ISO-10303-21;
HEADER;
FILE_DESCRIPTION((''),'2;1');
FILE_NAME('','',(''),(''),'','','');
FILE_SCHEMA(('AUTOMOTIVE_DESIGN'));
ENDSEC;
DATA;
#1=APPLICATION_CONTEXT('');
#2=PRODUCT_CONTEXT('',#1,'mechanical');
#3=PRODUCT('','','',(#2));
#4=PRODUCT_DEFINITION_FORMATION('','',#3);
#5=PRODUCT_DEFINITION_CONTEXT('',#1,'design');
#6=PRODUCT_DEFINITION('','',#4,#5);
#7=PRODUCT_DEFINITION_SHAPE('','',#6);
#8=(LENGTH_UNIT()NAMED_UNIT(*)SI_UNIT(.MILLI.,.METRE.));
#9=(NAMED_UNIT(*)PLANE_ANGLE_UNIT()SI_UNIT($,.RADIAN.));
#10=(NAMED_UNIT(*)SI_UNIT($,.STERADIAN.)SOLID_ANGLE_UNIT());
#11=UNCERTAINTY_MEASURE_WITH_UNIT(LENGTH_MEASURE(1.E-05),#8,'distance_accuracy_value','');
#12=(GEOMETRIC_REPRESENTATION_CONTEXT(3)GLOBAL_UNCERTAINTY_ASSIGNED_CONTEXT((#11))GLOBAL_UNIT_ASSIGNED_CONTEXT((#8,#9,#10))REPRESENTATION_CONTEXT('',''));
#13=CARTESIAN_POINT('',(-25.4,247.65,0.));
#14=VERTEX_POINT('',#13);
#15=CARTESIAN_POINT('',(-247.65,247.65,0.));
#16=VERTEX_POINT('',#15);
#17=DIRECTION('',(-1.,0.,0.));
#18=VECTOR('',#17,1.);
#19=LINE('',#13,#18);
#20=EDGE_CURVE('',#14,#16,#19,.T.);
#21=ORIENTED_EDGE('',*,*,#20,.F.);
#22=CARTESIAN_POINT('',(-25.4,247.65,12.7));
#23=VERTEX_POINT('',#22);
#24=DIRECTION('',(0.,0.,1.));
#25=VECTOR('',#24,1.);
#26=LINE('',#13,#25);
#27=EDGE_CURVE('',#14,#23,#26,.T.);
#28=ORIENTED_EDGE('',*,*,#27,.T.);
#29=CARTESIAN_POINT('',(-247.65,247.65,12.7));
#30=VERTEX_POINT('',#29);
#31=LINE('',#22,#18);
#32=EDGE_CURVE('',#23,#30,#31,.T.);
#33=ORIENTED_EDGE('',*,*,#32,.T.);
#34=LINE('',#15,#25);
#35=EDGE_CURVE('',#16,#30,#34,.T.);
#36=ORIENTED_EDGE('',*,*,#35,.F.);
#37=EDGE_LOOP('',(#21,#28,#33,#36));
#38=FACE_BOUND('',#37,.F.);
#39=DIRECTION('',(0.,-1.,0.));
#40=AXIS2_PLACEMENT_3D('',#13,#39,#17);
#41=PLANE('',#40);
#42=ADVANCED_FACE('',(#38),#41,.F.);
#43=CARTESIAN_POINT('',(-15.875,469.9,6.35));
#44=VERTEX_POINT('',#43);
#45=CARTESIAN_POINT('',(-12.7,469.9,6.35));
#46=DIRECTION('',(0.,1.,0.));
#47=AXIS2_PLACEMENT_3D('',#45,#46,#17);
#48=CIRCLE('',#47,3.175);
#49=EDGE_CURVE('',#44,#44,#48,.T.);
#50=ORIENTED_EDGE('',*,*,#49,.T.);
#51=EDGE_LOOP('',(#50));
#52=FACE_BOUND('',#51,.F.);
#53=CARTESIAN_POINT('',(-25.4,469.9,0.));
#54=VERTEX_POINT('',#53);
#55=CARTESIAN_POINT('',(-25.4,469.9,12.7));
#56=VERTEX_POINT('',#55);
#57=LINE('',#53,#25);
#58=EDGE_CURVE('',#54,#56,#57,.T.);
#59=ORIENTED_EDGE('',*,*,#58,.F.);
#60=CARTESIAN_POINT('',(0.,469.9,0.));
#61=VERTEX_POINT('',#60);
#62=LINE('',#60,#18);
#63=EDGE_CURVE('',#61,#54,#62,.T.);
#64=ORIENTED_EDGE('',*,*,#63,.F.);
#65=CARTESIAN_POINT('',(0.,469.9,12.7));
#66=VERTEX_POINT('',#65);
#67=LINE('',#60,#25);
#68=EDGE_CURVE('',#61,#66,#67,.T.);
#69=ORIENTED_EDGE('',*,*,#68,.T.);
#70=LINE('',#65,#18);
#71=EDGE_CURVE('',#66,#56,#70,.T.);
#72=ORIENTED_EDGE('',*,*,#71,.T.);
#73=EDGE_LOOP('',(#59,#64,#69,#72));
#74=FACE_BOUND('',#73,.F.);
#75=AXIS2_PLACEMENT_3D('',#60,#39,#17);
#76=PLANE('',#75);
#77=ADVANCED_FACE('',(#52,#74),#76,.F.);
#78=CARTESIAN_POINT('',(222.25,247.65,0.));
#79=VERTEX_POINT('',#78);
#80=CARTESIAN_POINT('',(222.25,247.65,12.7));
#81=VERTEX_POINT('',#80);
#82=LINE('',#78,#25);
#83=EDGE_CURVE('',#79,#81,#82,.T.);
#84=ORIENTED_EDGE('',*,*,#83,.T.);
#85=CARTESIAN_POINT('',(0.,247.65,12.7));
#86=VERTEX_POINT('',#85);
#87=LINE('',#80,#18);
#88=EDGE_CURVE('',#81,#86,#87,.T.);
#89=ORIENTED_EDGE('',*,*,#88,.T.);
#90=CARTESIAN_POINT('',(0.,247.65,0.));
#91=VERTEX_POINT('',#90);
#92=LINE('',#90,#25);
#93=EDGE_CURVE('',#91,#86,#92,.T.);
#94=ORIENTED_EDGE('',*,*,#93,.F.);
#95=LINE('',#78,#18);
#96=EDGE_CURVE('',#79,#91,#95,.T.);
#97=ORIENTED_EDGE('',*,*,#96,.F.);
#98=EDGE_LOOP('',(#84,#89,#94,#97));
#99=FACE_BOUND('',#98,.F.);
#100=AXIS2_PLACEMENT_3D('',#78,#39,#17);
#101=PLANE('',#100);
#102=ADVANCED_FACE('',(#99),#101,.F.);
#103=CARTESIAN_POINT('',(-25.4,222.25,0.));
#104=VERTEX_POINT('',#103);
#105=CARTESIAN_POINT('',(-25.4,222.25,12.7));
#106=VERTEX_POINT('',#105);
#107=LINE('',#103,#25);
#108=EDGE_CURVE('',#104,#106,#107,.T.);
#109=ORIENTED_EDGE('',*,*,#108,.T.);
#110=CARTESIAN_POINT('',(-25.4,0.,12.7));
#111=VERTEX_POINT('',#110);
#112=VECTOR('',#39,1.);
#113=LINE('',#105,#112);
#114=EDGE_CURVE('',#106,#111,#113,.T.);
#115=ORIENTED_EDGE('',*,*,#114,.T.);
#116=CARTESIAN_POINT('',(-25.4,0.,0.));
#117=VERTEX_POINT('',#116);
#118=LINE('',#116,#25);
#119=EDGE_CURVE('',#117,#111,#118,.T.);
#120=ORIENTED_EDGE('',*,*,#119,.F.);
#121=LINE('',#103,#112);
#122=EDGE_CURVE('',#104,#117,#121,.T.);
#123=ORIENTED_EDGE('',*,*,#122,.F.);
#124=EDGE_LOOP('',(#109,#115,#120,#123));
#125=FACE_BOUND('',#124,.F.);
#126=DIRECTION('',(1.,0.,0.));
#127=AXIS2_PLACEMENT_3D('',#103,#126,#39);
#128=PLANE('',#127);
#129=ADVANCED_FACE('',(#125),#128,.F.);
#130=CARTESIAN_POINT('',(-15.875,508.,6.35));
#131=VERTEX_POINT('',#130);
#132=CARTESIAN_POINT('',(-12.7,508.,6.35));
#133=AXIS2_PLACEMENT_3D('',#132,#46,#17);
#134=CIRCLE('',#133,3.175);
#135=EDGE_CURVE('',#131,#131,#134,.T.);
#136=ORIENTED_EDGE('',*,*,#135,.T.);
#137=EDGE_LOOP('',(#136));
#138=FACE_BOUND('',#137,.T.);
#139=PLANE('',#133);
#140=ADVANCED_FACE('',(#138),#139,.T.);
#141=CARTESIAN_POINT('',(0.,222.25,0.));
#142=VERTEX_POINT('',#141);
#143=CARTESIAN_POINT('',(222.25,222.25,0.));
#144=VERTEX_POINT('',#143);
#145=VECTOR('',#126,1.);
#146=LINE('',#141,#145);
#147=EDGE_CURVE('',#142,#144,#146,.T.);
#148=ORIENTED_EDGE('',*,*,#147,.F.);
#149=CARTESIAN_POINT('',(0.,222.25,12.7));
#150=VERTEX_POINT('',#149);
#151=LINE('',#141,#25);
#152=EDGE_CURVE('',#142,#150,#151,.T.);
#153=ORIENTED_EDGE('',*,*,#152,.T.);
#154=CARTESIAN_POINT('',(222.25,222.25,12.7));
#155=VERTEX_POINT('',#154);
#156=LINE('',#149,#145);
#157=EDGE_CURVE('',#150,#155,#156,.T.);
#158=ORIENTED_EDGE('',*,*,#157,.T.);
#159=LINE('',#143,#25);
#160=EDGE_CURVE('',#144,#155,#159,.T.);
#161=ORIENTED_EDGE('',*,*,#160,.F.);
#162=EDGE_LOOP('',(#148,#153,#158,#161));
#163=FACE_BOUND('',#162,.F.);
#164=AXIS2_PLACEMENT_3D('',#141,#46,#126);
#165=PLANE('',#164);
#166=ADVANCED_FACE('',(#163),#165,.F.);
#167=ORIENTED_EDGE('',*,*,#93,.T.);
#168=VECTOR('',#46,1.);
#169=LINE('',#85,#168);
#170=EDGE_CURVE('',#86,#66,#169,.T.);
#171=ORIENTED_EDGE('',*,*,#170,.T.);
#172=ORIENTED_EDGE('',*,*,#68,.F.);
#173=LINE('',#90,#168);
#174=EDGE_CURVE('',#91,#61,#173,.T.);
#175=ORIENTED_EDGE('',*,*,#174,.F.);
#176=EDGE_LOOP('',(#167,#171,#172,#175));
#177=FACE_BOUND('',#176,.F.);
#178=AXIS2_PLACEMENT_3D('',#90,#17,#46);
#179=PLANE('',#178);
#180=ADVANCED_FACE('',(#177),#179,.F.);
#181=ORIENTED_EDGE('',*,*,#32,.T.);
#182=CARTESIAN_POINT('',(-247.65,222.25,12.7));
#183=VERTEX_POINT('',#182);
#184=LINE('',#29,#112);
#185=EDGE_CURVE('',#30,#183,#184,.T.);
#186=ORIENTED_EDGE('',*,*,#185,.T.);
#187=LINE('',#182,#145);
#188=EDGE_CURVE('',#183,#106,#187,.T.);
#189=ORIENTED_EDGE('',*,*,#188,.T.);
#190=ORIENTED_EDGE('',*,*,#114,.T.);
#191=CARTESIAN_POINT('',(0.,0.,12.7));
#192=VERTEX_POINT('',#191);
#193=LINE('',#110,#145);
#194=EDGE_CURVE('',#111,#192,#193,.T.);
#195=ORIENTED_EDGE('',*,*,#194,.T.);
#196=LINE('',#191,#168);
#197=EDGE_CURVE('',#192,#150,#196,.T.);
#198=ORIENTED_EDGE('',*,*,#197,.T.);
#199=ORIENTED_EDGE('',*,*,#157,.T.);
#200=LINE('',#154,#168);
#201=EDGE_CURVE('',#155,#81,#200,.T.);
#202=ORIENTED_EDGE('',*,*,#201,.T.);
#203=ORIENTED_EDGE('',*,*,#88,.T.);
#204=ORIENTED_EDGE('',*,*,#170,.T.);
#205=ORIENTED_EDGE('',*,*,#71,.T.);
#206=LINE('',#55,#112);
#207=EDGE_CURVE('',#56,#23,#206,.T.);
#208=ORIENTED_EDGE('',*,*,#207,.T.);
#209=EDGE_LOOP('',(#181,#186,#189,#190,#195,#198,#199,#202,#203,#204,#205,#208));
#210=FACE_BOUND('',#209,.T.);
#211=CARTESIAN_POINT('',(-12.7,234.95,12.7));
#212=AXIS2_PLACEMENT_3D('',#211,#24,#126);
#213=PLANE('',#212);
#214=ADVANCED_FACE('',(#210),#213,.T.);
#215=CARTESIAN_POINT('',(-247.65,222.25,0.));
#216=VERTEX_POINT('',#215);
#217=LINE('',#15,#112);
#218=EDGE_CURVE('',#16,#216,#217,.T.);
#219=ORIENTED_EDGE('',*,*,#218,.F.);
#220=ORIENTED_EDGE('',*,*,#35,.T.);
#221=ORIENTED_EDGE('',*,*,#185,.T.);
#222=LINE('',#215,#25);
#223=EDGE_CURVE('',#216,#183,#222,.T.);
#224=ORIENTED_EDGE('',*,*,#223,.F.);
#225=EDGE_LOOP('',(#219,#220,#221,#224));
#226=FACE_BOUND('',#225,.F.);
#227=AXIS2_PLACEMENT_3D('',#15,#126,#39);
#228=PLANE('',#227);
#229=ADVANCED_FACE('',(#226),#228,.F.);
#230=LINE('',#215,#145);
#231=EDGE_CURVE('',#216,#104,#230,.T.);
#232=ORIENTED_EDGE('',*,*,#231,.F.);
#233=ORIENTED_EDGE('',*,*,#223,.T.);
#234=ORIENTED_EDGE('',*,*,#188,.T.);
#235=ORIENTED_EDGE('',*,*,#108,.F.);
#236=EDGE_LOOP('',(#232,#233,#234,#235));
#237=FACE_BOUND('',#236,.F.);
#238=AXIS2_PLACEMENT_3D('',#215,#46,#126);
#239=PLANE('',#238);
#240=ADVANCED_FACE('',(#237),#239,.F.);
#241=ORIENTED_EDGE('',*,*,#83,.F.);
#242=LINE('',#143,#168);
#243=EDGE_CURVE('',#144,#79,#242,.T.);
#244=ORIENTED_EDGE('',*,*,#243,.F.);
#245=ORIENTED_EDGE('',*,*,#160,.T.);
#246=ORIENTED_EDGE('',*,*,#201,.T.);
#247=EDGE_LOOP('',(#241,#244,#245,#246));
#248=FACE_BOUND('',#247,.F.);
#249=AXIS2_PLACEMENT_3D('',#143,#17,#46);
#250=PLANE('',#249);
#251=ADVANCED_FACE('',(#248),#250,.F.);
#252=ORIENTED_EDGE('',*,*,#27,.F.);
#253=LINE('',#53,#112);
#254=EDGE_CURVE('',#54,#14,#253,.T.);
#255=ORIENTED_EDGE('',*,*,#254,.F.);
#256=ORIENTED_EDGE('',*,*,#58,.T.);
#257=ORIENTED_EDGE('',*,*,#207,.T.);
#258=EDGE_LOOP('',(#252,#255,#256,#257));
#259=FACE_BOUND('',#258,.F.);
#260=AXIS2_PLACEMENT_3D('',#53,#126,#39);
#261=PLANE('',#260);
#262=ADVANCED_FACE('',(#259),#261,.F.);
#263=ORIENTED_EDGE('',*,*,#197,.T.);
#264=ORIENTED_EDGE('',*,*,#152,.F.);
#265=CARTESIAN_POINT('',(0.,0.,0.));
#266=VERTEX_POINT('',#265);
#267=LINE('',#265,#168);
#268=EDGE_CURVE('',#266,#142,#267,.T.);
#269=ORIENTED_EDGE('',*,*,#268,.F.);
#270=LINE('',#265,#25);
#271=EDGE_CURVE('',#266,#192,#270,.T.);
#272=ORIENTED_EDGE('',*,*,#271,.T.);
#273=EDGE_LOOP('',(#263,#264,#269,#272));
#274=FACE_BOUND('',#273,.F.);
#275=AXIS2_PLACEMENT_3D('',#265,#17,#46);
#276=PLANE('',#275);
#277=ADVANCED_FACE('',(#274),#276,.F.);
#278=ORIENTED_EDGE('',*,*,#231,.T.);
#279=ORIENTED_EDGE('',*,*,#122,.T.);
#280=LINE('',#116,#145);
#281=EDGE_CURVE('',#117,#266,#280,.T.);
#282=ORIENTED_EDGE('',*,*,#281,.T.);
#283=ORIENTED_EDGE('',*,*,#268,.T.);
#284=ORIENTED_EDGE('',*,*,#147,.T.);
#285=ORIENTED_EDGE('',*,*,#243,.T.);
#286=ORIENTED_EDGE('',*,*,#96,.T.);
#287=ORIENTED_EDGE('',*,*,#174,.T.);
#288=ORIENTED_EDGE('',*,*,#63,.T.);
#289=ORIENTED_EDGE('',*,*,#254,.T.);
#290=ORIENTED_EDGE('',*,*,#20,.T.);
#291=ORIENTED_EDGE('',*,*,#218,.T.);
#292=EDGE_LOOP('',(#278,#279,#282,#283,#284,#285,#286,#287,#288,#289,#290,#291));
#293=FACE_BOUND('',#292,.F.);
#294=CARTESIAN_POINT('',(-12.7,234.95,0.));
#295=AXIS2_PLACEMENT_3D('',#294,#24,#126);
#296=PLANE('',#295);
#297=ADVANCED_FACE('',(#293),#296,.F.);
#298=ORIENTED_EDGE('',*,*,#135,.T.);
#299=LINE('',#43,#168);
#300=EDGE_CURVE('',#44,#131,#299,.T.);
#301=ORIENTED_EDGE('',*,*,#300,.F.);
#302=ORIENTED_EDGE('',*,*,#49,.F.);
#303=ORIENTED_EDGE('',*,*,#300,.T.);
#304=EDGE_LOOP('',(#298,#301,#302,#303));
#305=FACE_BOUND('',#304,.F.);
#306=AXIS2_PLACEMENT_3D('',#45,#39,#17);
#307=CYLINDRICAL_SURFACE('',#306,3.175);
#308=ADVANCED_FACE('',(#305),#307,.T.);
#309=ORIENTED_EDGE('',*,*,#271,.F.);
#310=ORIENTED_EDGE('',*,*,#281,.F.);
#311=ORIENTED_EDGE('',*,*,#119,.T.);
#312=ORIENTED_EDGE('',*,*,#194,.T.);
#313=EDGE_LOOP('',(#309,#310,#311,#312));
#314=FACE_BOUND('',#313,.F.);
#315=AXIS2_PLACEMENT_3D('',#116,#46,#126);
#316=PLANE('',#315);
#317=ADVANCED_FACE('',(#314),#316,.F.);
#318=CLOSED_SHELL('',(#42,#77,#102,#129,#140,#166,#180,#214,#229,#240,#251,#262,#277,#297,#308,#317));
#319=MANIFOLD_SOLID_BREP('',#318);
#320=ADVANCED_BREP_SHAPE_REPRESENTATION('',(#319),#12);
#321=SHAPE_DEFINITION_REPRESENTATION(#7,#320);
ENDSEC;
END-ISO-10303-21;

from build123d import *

# Parameters (mm, degrees)
F1_DEPTH = 12.7
F3_R     = 3.175
F4_DEPTH = 38.1


with BuildPart() as f1:
    # F0 (on Top) → F1 (new body)
    with BuildSketch(Plane.XY):
        Polygon((-25.4, 0), (0, 0), (0, 222.25), (222.25, 222.25), (222.25, 247.65), (0, 247.65), (0, 469.9), (-25.4, 469.9), (-25.4, 247.65), (-247.65, 247.65), (-247.65, 222.25), (-25.4, 222.25), align=None)
    extrude(amount=F1_DEPTH)

    # F3 (on face) → F4 (join)
    with BuildSketch(Plane(origin=(0, 469.9, 0), x_dir=(-1, 0, 0), z_dir=(0, 1, 0))):
        with Locations((12.7, 6.35)):
            Circle(F3_R)
    extrude(amount=F4_DEPTH)


solid = f1.part
